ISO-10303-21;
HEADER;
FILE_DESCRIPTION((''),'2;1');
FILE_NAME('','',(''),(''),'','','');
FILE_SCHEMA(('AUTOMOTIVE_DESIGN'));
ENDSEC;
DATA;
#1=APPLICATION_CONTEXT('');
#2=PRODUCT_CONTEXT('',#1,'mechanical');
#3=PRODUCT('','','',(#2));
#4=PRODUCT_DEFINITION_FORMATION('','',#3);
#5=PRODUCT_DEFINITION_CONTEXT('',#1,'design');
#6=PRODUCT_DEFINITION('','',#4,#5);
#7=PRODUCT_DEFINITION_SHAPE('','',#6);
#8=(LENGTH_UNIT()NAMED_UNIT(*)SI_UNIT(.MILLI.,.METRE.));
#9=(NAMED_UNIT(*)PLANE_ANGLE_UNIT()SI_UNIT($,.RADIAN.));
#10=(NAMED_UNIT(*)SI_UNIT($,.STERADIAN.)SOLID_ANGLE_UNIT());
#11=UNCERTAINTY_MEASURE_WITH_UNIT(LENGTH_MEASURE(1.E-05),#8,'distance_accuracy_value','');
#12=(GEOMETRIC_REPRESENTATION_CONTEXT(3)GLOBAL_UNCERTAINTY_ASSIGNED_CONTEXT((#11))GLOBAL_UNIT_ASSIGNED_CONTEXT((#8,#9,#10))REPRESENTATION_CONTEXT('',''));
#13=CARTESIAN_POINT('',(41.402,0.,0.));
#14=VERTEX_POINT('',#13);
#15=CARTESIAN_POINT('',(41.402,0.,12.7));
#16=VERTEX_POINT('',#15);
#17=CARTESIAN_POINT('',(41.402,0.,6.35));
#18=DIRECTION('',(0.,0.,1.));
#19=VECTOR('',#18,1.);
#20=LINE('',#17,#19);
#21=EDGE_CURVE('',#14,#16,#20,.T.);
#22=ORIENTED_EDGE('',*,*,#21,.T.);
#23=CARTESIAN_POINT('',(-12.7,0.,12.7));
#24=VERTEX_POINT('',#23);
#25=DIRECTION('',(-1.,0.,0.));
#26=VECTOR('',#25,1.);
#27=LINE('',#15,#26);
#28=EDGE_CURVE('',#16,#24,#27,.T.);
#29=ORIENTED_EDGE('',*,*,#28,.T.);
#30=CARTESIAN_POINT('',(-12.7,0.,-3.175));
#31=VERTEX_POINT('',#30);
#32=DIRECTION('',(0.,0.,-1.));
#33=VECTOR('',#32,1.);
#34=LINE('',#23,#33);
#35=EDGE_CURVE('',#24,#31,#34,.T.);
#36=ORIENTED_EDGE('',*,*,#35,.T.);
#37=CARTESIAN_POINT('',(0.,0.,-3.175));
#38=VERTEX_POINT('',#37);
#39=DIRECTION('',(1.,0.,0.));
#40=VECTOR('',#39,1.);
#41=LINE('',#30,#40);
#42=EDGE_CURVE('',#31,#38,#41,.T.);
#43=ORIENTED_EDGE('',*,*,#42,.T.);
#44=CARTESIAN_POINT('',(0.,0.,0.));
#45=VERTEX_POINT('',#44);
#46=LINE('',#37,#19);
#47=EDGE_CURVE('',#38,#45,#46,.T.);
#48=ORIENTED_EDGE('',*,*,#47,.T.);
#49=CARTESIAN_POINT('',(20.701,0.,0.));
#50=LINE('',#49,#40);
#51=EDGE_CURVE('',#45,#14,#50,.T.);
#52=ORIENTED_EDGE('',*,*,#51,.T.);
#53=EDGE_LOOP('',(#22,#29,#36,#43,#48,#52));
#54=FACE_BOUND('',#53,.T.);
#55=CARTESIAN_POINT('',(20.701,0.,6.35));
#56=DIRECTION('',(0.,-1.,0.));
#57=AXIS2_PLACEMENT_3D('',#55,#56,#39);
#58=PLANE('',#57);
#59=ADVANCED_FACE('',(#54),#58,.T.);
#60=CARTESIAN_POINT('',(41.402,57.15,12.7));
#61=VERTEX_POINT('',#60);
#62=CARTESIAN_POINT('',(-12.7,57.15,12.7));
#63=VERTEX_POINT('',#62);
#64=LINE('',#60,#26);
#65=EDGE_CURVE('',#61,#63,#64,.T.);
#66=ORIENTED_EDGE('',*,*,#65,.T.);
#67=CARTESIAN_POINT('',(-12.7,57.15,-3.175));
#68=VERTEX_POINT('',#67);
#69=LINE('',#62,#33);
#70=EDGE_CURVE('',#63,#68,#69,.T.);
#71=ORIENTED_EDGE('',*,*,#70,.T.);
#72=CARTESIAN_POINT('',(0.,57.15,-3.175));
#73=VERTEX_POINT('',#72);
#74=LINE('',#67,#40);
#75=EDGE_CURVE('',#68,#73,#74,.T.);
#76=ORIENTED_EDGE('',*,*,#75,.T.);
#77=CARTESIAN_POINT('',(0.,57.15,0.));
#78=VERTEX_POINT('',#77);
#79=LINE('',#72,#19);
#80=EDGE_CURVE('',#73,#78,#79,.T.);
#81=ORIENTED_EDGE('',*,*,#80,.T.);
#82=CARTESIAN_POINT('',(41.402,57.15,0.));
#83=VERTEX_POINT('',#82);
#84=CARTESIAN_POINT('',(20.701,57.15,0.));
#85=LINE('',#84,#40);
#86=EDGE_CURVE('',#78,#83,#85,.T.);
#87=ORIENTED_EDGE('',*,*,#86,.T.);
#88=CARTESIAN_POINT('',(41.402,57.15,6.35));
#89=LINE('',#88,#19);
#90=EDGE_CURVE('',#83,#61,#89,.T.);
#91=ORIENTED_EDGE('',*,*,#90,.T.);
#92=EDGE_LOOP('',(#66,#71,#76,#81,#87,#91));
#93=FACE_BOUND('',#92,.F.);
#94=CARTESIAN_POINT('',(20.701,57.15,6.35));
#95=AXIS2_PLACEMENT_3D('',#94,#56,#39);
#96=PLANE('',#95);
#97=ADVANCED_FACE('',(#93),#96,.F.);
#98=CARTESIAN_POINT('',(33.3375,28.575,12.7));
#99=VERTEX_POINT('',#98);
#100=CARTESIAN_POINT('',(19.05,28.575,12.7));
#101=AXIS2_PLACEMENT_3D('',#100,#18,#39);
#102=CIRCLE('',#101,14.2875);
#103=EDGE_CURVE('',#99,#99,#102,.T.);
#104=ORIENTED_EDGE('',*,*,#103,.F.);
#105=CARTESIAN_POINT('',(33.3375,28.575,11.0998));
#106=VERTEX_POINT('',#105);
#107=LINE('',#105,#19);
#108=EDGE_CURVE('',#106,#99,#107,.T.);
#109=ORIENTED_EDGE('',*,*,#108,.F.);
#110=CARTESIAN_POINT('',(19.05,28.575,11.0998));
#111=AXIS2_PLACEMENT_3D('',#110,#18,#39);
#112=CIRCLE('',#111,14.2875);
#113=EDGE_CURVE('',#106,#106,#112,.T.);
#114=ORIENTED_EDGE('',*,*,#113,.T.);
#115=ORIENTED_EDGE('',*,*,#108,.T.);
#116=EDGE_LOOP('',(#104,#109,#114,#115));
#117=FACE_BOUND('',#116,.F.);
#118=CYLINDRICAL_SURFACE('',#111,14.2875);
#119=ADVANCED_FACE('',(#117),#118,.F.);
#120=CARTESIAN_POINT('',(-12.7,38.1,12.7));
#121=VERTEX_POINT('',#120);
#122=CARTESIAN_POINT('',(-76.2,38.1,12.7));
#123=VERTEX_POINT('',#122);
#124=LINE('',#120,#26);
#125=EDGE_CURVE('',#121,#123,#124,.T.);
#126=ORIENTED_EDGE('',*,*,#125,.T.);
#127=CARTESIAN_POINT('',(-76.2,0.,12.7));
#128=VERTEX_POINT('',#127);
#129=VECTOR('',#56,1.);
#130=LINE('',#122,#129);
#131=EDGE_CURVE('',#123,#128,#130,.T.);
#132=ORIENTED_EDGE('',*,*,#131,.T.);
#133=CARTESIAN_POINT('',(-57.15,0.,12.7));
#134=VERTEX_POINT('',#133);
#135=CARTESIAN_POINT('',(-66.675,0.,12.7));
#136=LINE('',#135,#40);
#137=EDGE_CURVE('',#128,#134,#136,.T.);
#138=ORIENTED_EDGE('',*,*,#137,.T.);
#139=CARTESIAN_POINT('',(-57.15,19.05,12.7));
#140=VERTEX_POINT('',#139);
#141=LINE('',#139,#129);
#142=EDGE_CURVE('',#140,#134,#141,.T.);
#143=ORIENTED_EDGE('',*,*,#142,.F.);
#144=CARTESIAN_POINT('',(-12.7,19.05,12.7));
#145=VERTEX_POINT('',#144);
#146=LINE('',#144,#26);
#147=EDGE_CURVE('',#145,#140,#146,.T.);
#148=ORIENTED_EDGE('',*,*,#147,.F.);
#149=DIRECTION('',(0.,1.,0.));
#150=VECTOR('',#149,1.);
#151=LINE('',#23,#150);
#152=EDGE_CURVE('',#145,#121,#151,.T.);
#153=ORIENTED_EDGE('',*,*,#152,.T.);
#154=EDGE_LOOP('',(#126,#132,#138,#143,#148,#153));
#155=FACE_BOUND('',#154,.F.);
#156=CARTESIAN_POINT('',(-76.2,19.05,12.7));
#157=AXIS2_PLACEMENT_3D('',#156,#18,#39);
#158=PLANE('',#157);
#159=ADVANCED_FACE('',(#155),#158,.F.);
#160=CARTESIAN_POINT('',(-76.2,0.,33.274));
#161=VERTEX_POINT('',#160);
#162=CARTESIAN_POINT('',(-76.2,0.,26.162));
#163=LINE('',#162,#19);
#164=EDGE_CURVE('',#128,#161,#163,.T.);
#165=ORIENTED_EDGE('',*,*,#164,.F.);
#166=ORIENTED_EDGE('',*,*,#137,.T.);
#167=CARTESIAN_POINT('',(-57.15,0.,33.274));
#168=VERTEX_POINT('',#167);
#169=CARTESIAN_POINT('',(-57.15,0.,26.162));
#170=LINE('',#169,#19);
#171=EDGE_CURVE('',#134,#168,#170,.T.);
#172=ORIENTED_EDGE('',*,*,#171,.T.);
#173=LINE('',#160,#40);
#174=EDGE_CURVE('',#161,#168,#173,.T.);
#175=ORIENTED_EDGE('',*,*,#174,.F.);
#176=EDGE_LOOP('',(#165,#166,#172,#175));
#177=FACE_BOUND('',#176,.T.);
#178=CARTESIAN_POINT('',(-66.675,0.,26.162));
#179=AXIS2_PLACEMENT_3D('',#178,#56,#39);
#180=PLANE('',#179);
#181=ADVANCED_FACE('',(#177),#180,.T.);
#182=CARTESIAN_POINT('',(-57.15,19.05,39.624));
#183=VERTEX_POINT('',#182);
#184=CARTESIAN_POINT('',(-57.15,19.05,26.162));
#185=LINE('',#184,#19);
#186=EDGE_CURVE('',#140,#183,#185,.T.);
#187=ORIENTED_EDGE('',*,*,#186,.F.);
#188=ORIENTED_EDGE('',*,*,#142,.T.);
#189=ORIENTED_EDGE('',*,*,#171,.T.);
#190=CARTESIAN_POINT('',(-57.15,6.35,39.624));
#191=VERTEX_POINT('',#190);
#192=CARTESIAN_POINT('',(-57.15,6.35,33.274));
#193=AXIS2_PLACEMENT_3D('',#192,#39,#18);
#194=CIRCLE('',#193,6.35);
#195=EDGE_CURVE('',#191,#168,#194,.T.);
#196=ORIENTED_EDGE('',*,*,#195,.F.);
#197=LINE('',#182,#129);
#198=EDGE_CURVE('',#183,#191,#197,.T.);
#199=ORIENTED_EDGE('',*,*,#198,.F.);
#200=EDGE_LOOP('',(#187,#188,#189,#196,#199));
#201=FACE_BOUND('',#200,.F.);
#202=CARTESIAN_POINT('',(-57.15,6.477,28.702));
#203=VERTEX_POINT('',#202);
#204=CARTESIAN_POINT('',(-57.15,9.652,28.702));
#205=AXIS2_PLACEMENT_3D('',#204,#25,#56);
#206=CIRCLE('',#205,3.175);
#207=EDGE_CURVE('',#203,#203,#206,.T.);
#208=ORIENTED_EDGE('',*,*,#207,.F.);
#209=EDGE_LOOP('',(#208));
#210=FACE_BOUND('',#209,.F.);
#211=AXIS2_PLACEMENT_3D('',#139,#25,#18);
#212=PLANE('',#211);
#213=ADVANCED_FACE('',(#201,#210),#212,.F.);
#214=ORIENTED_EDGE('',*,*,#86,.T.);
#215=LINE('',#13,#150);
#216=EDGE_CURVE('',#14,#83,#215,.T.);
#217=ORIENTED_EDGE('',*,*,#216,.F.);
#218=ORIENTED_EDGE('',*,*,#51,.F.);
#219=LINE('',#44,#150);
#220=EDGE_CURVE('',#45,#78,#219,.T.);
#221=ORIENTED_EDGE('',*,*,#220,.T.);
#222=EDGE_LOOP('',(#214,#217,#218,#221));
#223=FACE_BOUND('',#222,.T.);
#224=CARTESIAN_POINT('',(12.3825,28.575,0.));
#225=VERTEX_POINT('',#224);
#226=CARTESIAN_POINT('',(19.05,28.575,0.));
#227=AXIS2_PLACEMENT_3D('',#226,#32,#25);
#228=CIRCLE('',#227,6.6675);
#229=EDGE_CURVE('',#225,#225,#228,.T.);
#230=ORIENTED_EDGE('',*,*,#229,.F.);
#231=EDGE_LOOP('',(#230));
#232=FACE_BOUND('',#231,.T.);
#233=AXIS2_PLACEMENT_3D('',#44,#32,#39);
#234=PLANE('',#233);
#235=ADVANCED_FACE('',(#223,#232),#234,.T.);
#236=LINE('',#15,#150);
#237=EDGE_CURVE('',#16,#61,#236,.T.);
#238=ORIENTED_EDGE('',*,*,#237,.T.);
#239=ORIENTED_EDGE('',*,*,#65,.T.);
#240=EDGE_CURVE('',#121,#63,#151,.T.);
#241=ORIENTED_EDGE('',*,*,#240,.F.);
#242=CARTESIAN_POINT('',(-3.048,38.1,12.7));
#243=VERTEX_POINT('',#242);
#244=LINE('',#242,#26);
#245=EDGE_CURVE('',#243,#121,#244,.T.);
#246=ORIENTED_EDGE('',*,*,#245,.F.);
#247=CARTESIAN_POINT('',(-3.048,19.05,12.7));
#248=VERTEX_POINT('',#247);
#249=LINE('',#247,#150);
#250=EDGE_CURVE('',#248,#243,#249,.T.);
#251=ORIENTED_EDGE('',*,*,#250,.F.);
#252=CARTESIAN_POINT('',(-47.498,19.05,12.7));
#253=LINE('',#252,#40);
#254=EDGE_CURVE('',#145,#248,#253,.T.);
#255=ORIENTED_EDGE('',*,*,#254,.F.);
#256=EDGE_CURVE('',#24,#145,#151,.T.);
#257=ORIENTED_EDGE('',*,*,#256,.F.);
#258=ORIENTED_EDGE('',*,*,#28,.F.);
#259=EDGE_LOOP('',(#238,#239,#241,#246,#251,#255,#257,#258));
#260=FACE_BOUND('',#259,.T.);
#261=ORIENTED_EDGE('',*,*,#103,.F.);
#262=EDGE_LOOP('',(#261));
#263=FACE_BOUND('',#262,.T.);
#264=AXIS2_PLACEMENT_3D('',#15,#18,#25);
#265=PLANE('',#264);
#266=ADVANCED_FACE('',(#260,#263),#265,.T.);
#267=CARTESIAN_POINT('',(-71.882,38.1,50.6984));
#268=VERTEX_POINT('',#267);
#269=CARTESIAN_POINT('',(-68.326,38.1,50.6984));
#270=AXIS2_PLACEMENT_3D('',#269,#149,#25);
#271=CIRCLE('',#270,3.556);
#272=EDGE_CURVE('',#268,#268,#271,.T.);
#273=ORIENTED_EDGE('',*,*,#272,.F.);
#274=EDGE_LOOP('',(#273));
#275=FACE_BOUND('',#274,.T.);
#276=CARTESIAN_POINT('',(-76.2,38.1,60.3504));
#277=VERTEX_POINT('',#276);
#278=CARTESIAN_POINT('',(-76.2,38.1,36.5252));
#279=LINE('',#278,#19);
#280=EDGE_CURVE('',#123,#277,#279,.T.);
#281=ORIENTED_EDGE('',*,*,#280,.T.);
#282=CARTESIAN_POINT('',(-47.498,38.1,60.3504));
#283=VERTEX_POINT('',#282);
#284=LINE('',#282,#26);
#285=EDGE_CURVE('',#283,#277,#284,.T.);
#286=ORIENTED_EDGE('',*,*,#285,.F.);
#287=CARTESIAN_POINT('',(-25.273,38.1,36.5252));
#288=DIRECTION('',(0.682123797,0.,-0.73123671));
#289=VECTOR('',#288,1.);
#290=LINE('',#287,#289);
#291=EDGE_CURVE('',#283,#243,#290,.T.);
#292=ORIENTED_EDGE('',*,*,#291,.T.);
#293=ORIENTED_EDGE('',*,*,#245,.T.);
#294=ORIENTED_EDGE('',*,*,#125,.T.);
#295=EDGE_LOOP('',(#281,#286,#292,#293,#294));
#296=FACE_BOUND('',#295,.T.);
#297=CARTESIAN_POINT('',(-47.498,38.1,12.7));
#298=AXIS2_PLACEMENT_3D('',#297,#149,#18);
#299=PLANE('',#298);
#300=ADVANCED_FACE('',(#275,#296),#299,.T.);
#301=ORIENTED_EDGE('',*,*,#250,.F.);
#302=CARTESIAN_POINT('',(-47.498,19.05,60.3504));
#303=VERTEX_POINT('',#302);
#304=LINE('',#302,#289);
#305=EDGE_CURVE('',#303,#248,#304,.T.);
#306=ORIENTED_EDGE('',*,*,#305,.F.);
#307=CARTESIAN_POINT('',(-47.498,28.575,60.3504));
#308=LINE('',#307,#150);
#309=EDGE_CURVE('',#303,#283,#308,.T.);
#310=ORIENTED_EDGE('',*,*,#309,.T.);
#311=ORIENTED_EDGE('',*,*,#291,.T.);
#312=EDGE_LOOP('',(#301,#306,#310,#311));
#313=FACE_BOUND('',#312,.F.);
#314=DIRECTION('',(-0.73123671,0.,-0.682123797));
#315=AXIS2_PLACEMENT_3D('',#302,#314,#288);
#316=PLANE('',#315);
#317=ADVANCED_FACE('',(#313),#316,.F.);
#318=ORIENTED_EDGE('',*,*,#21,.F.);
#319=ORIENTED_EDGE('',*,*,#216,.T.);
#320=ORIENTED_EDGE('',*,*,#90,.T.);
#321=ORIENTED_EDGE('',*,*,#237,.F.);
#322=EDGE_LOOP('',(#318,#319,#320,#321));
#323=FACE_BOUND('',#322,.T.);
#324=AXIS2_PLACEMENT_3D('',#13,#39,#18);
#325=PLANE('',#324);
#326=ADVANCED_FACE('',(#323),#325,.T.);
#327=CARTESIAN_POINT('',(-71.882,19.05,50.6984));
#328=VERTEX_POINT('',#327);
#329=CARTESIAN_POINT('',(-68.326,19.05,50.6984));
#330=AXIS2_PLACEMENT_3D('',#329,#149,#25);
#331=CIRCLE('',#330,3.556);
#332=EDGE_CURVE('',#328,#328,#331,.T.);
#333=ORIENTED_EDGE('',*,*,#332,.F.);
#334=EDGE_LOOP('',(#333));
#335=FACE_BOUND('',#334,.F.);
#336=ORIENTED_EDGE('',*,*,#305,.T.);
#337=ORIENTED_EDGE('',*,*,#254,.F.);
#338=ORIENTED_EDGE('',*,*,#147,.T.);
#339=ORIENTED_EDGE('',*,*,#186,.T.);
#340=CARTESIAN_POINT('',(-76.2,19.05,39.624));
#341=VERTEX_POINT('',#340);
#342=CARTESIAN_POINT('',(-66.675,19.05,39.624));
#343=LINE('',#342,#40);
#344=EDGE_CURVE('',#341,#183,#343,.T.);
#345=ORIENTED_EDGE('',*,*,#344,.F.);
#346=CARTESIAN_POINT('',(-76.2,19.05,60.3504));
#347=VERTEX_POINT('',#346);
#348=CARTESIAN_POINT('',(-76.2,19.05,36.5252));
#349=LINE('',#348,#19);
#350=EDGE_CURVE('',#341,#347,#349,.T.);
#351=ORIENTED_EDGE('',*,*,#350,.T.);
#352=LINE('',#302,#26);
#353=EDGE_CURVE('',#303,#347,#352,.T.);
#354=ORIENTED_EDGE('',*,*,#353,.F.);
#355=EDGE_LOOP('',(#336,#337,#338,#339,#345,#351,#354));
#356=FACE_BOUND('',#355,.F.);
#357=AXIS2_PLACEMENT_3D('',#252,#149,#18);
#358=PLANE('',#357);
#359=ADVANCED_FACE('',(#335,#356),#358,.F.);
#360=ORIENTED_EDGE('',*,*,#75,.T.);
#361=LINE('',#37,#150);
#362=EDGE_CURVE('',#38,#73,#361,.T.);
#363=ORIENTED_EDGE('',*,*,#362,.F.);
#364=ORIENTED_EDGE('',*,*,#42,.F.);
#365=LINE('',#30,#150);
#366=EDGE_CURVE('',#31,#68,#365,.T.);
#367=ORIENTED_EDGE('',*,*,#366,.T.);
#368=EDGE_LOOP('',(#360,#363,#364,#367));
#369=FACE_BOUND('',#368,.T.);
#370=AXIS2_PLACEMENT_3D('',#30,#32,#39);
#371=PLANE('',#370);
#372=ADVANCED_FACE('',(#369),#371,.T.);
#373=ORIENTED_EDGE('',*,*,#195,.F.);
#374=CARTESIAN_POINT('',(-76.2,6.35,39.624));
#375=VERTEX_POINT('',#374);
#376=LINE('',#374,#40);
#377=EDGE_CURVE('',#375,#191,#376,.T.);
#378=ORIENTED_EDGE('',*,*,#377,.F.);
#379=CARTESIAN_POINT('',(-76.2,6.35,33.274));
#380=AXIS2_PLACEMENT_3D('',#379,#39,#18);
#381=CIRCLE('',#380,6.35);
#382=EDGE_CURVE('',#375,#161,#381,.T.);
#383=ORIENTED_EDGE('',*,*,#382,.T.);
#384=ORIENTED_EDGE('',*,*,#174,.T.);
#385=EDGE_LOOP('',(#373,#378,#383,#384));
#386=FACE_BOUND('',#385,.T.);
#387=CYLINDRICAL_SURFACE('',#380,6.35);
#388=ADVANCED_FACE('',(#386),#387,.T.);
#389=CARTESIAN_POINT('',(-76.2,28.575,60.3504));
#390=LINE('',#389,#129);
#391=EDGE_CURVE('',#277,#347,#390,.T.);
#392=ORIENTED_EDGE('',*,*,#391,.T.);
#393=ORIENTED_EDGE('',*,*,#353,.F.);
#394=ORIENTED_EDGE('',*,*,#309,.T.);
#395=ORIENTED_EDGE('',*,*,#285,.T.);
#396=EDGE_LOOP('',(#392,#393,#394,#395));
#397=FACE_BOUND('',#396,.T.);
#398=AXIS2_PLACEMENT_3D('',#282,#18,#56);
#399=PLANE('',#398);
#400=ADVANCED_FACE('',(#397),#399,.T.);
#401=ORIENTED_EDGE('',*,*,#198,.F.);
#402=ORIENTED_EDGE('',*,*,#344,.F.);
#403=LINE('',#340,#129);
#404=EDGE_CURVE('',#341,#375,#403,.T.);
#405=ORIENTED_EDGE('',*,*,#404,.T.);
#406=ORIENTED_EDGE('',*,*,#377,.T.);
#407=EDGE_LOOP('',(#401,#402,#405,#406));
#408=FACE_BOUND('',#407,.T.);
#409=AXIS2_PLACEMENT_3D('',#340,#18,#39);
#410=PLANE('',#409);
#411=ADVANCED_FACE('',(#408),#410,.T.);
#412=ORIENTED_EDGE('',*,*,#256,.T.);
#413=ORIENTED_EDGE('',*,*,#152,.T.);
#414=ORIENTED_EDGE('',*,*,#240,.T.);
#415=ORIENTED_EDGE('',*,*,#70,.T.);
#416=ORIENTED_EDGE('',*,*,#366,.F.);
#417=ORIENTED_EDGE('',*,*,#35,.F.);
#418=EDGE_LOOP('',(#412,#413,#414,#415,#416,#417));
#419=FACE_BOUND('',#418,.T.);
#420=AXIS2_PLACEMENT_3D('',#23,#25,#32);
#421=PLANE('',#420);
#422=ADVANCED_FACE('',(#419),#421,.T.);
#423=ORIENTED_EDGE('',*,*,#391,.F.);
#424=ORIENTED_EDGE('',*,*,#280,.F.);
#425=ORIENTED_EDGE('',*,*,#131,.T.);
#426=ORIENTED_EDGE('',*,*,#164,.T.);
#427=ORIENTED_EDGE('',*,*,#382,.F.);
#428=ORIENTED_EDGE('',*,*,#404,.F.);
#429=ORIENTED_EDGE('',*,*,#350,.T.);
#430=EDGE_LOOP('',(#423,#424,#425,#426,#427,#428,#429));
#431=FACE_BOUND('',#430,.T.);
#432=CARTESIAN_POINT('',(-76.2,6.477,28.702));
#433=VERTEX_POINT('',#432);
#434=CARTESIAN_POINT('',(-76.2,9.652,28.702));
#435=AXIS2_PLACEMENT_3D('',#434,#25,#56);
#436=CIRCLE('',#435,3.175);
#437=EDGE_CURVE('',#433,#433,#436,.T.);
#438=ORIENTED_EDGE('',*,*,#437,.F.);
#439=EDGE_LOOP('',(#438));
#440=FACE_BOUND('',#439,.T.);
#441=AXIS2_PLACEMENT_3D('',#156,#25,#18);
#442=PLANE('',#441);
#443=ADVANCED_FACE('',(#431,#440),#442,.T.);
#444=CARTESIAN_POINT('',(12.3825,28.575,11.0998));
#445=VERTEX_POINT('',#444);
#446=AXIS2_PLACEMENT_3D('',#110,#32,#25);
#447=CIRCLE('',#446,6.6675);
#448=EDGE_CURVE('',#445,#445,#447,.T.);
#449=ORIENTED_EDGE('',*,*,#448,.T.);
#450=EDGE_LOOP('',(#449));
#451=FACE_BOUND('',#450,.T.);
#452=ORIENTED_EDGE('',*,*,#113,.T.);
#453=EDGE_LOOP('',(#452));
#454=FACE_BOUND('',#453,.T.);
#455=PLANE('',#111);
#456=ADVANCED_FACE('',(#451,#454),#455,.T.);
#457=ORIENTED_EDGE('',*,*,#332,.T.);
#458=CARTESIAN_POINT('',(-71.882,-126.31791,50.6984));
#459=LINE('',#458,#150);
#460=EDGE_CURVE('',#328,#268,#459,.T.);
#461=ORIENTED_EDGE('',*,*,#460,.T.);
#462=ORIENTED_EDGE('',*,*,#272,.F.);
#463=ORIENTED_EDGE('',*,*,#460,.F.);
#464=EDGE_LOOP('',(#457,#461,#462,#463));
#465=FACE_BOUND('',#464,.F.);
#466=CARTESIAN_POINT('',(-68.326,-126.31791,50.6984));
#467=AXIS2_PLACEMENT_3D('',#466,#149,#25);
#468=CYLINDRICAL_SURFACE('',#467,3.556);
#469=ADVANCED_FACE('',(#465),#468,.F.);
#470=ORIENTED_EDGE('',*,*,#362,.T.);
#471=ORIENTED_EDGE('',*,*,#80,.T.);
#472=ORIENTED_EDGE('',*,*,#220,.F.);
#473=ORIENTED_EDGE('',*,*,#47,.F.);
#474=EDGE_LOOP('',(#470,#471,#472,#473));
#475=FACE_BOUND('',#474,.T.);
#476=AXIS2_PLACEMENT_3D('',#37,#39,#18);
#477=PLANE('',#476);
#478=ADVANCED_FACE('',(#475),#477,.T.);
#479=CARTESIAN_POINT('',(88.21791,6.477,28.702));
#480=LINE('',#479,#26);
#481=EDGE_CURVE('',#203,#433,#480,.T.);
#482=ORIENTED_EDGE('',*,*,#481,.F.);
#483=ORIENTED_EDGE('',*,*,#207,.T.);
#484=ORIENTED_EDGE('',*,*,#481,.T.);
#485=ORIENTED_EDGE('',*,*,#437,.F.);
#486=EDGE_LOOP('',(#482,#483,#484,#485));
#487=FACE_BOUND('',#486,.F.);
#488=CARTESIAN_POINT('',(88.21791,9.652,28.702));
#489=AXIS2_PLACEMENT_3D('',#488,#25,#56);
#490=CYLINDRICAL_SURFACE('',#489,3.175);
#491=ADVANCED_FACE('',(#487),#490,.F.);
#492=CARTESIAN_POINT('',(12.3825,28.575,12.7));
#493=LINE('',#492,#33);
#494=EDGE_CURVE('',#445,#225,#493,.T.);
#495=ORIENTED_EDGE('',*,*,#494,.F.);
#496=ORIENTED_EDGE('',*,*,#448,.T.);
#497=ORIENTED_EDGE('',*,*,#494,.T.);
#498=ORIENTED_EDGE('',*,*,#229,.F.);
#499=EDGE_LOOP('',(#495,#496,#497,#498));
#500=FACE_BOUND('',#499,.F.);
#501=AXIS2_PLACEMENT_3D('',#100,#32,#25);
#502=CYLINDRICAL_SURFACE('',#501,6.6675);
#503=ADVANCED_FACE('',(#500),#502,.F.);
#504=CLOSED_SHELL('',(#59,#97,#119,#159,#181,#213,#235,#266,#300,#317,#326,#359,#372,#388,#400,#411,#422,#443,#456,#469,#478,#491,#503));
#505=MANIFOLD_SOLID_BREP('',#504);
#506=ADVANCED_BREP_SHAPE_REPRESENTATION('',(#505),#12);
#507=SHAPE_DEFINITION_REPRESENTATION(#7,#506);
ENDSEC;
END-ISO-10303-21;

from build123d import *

# Parameters (mm, degrees)
F0_W           = 41.402
F0_H           = 12.7
F1_DEPTH       = 57.15
F3_D           = 13.335
F3_CBORE_D     = 28.575
F3_CBORE_DEPTH = 1.6002
F2_W           = 34.798
F2_H           = 19.05
F4_DEPTH       = 47.6504
F6_DEPTH       = 34.9504
F7_W           = 19.05
F7_H           = 47.6504
F8_DEPTH       = 28.702
F9_W           = 19.05
F9_H           = 26.924
F10_DEPTH      = 19.05
F11_R          = 6.35
F14_D          = 6.35
F15_D          = 7.112


with BuildPart() as f1:
    # F0 (on Front) → F1 (new body)
    with BuildSketch(Plane.XZ):
        with Locations((20.701, 6.35)):
            Rectangle(F0_W, F0_H)
        Polygon((0, -3.175), (0, 0), (0, 12.7), (-12.7, 12.7), (-12.7, -3.175), align=None)
    extrude(amount=-F1_DEPTH)

    # F3 (through all)
    with Locations(Plane.XY.offset(12.7)):
        with Locations((19.05, 28.575)):
            CounterBoreHole(F3_D / 2, F3_CBORE_D / 2, F3_CBORE_DEPTH)

    # F2 (on face) → F4 (join)
    with BuildSketch(Plane.XY.offset(12.7)):
        with Locations((-30.099, 28.575)):
            Rectangle(F2_W, F2_H)
        Polygon((-3.048, 19.05), (-3.048, 28.575), (-3.048, 38.1), (-12.7, 38.1), (-12.7, 19.05), align=None)
    extrude(amount=F4_DEPTH)

    # F5 (on face) → F6 (cut)
    with BuildSketch(Plane.XZ.offset(-19.05)):
        Polygon((-3.048, 60.3504), (-47.498, 60.3504), (-3.048, 12.7), align=None)
    extrude(amount=-F6_DEPTH, mode=Mode.SUBTRACT)

    # F7 (on face) → F8 (join)
    with BuildSketch(Plane(origin=(-47.498, 0, 0), x_dir=(0, -1, 0), z_dir=(-1, 0, 0))):
        with Locations((-28.575, 36.5252)):
            Rectangle(F7_W, F7_H)
    extrude(amount=F8_DEPTH)

    # F9 (on face) → F10 (join)
    with BuildSketch(Plane.XZ.offset(-19.05)):
        with Locations((-66.675, 26.162)):
            Rectangle(F9_W, F9_H)
    extrude(amount=F10_DEPTH)

    # F11
    f11_edges = [f1.edges().sort_by_distance(p)[0] for p in [
        (-66.675, 0, 39.624),
    ]]
    fillet(f11_edges, radius=F11_R)

    # F14 (through all)
    with Locations(Plane.YZ.offset(-57.15)):
        with Locations((9.652, 28.702)):
            Hole(F14_D / 2)

    # F15 (through all)
    with Locations(Plane.XZ.offset(-19.05)):
        with Locations((-68.326, 50.6984)):
            Hole(F15_D / 2)


solid = f1.part
